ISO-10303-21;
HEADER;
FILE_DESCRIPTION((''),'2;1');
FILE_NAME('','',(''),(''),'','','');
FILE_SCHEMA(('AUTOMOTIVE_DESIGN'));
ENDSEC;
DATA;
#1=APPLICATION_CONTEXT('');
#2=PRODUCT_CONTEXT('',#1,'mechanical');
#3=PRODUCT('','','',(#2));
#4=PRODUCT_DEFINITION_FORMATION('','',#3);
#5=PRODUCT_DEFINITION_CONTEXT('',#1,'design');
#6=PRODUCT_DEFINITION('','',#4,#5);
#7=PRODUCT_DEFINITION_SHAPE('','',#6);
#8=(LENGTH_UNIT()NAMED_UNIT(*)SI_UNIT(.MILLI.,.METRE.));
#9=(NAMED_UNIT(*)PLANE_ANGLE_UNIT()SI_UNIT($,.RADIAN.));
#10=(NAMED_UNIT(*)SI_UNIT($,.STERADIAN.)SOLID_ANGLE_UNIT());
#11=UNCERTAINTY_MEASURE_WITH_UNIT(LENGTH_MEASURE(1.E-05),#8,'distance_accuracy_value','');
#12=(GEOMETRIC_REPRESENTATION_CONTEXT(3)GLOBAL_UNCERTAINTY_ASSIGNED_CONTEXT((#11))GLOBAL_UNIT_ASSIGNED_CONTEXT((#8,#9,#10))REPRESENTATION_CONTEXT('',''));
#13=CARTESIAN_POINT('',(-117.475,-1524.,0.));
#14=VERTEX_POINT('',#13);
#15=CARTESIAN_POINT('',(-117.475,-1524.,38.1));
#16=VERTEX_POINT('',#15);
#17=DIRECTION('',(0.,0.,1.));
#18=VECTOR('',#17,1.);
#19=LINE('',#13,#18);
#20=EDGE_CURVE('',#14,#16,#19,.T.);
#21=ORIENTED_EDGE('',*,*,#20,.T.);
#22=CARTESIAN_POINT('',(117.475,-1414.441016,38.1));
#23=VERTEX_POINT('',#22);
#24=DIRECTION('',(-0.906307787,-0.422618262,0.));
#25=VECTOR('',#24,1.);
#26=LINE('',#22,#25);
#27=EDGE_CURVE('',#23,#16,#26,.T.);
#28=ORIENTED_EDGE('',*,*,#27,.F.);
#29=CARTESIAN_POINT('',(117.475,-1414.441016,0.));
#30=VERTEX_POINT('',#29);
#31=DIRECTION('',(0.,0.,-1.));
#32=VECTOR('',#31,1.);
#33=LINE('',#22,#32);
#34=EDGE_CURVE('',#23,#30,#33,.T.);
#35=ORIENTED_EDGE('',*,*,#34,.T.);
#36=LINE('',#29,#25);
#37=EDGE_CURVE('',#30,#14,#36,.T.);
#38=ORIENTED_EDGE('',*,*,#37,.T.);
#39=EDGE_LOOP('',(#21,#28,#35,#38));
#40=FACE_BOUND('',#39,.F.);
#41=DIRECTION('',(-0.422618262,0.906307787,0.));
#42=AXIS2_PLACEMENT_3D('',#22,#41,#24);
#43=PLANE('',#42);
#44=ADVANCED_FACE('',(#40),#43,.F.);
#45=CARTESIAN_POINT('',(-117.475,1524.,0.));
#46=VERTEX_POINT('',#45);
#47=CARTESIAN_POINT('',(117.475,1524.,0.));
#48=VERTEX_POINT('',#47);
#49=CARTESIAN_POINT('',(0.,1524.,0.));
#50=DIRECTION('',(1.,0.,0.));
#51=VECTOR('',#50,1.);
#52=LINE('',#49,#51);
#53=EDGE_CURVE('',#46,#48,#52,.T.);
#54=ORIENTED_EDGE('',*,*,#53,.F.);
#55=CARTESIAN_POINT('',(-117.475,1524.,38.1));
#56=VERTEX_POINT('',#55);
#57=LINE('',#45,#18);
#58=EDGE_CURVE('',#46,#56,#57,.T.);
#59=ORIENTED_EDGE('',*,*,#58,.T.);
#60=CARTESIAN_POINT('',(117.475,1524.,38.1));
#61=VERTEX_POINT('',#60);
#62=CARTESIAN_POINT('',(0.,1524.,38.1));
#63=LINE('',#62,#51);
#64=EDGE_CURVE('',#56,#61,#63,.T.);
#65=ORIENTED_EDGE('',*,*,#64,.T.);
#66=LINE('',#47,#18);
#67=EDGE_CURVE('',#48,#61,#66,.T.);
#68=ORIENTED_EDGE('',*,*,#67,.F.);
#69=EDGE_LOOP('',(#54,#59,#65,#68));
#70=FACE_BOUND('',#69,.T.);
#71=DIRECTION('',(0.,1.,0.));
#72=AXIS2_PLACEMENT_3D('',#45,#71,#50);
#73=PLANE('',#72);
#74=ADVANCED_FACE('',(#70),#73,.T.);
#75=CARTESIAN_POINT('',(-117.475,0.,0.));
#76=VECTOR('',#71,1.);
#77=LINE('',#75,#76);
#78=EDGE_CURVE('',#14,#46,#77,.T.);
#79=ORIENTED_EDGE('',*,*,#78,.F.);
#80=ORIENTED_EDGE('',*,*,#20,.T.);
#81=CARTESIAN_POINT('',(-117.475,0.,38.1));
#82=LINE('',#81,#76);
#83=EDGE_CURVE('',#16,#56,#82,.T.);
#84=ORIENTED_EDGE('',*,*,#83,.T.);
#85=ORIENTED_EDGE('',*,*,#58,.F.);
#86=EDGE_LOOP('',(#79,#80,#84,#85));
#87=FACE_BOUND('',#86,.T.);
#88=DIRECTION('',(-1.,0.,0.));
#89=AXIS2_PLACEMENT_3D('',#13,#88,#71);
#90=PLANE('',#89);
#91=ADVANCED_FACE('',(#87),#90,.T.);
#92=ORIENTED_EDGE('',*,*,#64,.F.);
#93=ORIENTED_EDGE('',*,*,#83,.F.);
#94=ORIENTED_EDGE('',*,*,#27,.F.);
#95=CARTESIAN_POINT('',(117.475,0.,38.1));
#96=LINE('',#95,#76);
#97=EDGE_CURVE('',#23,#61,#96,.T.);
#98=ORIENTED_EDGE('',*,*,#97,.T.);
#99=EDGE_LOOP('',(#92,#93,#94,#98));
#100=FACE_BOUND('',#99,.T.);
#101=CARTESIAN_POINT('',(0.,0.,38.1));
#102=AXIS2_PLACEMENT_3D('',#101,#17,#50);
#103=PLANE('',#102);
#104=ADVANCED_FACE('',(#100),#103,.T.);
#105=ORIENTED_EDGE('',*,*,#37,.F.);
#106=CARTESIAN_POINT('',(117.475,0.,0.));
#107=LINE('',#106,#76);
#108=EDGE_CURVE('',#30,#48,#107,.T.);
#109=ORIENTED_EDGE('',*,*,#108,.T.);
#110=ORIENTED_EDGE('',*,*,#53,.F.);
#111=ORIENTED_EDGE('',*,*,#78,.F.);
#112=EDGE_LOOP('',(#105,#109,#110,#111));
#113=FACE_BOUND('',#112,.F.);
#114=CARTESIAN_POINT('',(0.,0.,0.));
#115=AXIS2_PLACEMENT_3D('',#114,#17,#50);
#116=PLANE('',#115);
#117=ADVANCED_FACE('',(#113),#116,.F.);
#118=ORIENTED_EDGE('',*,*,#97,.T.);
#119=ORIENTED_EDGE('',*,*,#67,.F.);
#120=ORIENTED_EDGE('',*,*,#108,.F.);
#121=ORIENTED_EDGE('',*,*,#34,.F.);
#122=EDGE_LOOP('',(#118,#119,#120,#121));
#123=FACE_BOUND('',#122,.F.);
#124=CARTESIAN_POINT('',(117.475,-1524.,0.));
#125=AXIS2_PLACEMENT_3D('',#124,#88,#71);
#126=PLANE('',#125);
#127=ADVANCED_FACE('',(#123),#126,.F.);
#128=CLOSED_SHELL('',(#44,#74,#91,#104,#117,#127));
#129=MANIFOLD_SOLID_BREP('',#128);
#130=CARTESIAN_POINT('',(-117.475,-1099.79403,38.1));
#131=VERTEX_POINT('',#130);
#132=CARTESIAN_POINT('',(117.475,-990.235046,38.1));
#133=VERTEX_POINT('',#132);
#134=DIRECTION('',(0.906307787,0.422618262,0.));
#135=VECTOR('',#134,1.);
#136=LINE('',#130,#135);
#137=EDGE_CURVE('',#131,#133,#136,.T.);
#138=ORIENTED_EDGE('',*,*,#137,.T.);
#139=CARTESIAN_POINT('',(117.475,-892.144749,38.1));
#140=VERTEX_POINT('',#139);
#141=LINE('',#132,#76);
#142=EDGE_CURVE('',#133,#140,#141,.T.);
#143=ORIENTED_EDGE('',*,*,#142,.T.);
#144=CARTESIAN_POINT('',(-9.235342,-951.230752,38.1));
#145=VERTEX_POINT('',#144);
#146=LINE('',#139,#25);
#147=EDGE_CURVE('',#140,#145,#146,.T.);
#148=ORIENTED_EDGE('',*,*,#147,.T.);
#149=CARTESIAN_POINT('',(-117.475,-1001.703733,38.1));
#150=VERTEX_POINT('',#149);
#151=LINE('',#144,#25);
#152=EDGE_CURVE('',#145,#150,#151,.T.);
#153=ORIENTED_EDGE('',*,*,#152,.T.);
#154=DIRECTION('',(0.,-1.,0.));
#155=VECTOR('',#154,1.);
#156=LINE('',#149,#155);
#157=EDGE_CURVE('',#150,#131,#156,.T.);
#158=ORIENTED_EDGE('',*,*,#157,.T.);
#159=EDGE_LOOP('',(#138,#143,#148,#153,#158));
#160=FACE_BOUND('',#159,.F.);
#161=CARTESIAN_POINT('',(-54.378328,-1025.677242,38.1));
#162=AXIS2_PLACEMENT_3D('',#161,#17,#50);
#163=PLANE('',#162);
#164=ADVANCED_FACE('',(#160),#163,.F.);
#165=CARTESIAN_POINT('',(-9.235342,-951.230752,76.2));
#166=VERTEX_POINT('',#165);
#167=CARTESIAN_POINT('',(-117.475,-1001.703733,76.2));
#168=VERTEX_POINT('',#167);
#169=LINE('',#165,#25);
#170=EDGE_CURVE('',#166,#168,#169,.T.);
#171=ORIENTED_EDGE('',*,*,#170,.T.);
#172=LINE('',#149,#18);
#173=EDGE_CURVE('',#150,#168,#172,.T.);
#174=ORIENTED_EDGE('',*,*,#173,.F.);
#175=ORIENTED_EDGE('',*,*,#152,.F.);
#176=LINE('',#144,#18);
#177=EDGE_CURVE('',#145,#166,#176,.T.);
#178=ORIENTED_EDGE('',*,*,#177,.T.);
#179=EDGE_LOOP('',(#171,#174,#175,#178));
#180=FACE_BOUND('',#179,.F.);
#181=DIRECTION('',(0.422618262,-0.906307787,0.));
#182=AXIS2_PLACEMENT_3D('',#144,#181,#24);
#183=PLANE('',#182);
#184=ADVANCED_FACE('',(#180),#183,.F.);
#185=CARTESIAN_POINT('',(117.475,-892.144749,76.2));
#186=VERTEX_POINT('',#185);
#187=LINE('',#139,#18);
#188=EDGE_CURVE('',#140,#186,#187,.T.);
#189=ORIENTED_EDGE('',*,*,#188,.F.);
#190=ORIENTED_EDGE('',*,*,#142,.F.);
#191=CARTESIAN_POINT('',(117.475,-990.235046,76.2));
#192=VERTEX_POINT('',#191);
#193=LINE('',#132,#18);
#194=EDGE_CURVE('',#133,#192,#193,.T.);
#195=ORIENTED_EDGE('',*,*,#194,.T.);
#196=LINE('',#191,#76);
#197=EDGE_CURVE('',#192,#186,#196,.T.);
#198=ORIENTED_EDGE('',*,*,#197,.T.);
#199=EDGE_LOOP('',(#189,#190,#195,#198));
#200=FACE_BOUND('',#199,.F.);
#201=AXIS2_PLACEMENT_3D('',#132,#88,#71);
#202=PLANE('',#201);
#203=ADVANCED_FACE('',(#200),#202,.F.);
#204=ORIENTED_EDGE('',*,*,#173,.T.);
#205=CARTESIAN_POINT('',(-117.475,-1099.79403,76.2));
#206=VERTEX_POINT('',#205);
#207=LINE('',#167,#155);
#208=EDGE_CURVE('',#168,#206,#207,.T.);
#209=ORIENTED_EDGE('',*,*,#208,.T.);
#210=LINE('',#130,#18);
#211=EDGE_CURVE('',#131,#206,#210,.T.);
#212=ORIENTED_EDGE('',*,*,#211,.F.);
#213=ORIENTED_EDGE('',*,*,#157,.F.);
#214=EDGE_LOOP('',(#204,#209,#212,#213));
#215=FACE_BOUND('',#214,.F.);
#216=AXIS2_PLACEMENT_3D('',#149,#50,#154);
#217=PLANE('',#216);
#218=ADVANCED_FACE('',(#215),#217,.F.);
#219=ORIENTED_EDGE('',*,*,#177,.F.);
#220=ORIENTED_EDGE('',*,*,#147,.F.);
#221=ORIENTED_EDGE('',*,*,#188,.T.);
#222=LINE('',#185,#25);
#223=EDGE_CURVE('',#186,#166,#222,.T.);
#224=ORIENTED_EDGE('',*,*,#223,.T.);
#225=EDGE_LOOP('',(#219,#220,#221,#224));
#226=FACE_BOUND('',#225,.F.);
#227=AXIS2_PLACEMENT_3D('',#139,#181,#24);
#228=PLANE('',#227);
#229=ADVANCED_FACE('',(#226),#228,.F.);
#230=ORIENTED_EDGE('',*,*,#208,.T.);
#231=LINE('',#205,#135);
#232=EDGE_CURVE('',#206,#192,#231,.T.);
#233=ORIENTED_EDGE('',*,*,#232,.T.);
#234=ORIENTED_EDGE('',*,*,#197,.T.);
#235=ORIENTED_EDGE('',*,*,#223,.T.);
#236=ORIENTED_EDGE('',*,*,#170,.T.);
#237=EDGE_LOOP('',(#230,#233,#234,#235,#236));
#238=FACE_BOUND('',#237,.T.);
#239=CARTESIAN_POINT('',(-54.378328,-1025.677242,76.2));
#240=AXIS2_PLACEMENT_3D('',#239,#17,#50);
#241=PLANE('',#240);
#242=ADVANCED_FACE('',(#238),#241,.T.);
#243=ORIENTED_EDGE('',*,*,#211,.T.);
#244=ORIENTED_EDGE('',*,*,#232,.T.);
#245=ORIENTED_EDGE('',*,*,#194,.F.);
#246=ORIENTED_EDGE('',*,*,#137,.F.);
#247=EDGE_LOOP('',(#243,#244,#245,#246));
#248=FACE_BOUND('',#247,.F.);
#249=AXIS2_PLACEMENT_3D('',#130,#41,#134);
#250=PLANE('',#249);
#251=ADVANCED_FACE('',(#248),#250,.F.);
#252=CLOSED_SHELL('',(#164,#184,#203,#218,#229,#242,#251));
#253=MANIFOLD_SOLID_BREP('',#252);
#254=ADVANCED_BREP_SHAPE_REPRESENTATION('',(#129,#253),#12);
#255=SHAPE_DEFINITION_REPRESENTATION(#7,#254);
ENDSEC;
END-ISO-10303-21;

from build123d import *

# Parameters (mm, degrees)
F1_W     = 234.95
F1_H     = 3048
F2_DEPTH = 38.1
F4_DEPTH = 38.1
F6_DEPTH = 38.1


with BuildPart() as f2:
    # F1 (on Top) → F2 (new body)
    with BuildSketch(Plane.XY):
        Rectangle(F1_W, F1_H)
    extrude(amount=F2_DEPTH)

    # F3 (on face) → F4 (cut, through all)
    with BuildSketch(Plane.XY.offset(38.1)):
        Polygon((117.475, -1414.4410157165), (-117.475, -1524), (117.475, -1524), align=None)
    extrude(amount=-F4_DEPTH, mode=Mode.SUBTRACT)


with BuildPart() as f6:
    # F5 (on face) → F6 (new body)
    with BuildSketch(Plane.XY.offset(38.1)):
        Polygon((-117.475, -1001.7037331937), (-117.475, -1099.7940301895), (28.3354210442, -1031.8015142178), (-9.2353424246, -951.2307519503), align=None)
        Polygon((-9.2353424246, -951.2307519503), (28.3354210442, -1031.8015142178), (117.475, -990.235045906), (117.475, -892.1447489102), align=None)
    extrude(amount=F6_DEPTH)


solid = Compound([f2.part, f6.part])
